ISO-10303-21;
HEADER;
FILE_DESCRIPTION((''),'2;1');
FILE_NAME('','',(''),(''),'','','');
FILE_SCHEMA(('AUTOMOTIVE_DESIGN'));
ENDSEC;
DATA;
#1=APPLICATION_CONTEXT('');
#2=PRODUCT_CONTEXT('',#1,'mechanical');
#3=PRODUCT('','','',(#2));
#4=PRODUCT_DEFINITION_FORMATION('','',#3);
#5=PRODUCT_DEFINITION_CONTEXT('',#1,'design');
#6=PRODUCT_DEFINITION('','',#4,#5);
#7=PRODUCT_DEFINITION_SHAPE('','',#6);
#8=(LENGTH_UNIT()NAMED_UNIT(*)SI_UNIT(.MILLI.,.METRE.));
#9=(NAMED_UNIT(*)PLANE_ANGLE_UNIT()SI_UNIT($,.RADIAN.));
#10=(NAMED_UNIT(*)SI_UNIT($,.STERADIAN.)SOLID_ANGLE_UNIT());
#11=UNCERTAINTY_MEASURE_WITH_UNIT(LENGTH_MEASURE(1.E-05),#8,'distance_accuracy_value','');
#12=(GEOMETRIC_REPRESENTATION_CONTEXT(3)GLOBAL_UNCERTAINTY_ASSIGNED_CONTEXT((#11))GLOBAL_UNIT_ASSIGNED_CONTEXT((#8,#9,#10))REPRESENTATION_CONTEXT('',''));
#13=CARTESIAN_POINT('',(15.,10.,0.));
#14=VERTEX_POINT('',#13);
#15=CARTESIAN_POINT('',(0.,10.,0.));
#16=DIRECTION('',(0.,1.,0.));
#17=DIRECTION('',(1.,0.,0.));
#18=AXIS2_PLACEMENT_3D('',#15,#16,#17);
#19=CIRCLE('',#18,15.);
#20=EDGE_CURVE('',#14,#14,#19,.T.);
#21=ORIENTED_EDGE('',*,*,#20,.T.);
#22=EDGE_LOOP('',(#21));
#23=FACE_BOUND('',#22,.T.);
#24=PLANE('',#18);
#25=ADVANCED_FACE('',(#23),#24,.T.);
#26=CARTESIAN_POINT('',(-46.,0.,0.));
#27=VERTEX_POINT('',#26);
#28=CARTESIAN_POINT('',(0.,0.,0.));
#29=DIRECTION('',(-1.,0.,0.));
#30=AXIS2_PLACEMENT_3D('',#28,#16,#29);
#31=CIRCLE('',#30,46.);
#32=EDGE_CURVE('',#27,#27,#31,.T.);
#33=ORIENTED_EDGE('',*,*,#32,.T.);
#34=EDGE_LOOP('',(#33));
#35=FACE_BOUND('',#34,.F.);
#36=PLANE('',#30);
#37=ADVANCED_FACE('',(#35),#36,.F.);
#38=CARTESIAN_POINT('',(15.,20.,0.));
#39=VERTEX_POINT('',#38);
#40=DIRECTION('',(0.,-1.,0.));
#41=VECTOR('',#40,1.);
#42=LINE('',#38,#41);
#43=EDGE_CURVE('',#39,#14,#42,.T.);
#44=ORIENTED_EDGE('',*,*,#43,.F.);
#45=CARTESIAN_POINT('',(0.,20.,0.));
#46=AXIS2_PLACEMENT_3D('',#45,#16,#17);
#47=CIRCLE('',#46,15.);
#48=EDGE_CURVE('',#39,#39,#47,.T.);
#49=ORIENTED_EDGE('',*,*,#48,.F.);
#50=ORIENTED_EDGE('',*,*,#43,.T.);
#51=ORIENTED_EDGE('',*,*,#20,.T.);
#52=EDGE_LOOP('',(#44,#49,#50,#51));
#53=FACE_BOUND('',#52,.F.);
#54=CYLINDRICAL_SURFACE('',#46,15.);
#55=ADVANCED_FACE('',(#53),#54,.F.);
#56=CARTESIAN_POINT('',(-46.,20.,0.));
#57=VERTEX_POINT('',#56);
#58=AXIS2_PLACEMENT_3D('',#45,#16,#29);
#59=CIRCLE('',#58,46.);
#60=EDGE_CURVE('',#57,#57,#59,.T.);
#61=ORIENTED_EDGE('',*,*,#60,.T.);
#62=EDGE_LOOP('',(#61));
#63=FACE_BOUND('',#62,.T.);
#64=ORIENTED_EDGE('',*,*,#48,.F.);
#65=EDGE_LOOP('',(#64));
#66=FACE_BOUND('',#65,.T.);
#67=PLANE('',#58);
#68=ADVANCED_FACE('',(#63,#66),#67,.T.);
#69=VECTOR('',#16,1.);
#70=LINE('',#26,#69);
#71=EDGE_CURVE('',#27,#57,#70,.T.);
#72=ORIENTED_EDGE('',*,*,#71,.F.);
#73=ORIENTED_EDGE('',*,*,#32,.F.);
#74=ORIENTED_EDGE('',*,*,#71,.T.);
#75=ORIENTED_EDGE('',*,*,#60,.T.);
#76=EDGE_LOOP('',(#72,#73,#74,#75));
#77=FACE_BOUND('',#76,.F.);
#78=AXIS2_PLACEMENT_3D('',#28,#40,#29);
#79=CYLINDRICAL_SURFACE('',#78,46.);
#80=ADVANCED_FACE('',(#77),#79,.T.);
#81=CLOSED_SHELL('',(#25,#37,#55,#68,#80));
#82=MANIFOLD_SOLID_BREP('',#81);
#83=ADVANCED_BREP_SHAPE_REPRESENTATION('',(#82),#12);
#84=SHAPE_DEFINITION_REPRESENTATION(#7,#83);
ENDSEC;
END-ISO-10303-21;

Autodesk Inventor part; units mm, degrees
ref_plane "YZ Plane" through (0, 0, 0) normal (1, 0, 0) x (0, 1, 0)
ref_plane "XZ Plane" through (0, 0, 0) normal (0, 1, 0) x (-1, 0, 0)
ref_plane "XY Plane" through (0, 0, 0) normal (0, 0, 1) x (1, 0, 0)
sketch "Skizze1" plane through (0, 0, 0) normal (0, 1, 0) x (-1, 0, 0)
  circle A0 centre (0, 0) radius 46
  dimension "d0" = 92
extrude "Extrusion1" add sketch "Skizze1" along normal blind 20
sketch "Skizze2" plane through (0, 20, 0) normal (0, 1, 0) x (1, 0, 0)
  circle A0 centre (0, 0) radius 15
  dimension "d3" = 30
extrude "Extrusion2" cut sketch "Skizze2" against normal blind 10
properties part number "12" material "Gummi"
